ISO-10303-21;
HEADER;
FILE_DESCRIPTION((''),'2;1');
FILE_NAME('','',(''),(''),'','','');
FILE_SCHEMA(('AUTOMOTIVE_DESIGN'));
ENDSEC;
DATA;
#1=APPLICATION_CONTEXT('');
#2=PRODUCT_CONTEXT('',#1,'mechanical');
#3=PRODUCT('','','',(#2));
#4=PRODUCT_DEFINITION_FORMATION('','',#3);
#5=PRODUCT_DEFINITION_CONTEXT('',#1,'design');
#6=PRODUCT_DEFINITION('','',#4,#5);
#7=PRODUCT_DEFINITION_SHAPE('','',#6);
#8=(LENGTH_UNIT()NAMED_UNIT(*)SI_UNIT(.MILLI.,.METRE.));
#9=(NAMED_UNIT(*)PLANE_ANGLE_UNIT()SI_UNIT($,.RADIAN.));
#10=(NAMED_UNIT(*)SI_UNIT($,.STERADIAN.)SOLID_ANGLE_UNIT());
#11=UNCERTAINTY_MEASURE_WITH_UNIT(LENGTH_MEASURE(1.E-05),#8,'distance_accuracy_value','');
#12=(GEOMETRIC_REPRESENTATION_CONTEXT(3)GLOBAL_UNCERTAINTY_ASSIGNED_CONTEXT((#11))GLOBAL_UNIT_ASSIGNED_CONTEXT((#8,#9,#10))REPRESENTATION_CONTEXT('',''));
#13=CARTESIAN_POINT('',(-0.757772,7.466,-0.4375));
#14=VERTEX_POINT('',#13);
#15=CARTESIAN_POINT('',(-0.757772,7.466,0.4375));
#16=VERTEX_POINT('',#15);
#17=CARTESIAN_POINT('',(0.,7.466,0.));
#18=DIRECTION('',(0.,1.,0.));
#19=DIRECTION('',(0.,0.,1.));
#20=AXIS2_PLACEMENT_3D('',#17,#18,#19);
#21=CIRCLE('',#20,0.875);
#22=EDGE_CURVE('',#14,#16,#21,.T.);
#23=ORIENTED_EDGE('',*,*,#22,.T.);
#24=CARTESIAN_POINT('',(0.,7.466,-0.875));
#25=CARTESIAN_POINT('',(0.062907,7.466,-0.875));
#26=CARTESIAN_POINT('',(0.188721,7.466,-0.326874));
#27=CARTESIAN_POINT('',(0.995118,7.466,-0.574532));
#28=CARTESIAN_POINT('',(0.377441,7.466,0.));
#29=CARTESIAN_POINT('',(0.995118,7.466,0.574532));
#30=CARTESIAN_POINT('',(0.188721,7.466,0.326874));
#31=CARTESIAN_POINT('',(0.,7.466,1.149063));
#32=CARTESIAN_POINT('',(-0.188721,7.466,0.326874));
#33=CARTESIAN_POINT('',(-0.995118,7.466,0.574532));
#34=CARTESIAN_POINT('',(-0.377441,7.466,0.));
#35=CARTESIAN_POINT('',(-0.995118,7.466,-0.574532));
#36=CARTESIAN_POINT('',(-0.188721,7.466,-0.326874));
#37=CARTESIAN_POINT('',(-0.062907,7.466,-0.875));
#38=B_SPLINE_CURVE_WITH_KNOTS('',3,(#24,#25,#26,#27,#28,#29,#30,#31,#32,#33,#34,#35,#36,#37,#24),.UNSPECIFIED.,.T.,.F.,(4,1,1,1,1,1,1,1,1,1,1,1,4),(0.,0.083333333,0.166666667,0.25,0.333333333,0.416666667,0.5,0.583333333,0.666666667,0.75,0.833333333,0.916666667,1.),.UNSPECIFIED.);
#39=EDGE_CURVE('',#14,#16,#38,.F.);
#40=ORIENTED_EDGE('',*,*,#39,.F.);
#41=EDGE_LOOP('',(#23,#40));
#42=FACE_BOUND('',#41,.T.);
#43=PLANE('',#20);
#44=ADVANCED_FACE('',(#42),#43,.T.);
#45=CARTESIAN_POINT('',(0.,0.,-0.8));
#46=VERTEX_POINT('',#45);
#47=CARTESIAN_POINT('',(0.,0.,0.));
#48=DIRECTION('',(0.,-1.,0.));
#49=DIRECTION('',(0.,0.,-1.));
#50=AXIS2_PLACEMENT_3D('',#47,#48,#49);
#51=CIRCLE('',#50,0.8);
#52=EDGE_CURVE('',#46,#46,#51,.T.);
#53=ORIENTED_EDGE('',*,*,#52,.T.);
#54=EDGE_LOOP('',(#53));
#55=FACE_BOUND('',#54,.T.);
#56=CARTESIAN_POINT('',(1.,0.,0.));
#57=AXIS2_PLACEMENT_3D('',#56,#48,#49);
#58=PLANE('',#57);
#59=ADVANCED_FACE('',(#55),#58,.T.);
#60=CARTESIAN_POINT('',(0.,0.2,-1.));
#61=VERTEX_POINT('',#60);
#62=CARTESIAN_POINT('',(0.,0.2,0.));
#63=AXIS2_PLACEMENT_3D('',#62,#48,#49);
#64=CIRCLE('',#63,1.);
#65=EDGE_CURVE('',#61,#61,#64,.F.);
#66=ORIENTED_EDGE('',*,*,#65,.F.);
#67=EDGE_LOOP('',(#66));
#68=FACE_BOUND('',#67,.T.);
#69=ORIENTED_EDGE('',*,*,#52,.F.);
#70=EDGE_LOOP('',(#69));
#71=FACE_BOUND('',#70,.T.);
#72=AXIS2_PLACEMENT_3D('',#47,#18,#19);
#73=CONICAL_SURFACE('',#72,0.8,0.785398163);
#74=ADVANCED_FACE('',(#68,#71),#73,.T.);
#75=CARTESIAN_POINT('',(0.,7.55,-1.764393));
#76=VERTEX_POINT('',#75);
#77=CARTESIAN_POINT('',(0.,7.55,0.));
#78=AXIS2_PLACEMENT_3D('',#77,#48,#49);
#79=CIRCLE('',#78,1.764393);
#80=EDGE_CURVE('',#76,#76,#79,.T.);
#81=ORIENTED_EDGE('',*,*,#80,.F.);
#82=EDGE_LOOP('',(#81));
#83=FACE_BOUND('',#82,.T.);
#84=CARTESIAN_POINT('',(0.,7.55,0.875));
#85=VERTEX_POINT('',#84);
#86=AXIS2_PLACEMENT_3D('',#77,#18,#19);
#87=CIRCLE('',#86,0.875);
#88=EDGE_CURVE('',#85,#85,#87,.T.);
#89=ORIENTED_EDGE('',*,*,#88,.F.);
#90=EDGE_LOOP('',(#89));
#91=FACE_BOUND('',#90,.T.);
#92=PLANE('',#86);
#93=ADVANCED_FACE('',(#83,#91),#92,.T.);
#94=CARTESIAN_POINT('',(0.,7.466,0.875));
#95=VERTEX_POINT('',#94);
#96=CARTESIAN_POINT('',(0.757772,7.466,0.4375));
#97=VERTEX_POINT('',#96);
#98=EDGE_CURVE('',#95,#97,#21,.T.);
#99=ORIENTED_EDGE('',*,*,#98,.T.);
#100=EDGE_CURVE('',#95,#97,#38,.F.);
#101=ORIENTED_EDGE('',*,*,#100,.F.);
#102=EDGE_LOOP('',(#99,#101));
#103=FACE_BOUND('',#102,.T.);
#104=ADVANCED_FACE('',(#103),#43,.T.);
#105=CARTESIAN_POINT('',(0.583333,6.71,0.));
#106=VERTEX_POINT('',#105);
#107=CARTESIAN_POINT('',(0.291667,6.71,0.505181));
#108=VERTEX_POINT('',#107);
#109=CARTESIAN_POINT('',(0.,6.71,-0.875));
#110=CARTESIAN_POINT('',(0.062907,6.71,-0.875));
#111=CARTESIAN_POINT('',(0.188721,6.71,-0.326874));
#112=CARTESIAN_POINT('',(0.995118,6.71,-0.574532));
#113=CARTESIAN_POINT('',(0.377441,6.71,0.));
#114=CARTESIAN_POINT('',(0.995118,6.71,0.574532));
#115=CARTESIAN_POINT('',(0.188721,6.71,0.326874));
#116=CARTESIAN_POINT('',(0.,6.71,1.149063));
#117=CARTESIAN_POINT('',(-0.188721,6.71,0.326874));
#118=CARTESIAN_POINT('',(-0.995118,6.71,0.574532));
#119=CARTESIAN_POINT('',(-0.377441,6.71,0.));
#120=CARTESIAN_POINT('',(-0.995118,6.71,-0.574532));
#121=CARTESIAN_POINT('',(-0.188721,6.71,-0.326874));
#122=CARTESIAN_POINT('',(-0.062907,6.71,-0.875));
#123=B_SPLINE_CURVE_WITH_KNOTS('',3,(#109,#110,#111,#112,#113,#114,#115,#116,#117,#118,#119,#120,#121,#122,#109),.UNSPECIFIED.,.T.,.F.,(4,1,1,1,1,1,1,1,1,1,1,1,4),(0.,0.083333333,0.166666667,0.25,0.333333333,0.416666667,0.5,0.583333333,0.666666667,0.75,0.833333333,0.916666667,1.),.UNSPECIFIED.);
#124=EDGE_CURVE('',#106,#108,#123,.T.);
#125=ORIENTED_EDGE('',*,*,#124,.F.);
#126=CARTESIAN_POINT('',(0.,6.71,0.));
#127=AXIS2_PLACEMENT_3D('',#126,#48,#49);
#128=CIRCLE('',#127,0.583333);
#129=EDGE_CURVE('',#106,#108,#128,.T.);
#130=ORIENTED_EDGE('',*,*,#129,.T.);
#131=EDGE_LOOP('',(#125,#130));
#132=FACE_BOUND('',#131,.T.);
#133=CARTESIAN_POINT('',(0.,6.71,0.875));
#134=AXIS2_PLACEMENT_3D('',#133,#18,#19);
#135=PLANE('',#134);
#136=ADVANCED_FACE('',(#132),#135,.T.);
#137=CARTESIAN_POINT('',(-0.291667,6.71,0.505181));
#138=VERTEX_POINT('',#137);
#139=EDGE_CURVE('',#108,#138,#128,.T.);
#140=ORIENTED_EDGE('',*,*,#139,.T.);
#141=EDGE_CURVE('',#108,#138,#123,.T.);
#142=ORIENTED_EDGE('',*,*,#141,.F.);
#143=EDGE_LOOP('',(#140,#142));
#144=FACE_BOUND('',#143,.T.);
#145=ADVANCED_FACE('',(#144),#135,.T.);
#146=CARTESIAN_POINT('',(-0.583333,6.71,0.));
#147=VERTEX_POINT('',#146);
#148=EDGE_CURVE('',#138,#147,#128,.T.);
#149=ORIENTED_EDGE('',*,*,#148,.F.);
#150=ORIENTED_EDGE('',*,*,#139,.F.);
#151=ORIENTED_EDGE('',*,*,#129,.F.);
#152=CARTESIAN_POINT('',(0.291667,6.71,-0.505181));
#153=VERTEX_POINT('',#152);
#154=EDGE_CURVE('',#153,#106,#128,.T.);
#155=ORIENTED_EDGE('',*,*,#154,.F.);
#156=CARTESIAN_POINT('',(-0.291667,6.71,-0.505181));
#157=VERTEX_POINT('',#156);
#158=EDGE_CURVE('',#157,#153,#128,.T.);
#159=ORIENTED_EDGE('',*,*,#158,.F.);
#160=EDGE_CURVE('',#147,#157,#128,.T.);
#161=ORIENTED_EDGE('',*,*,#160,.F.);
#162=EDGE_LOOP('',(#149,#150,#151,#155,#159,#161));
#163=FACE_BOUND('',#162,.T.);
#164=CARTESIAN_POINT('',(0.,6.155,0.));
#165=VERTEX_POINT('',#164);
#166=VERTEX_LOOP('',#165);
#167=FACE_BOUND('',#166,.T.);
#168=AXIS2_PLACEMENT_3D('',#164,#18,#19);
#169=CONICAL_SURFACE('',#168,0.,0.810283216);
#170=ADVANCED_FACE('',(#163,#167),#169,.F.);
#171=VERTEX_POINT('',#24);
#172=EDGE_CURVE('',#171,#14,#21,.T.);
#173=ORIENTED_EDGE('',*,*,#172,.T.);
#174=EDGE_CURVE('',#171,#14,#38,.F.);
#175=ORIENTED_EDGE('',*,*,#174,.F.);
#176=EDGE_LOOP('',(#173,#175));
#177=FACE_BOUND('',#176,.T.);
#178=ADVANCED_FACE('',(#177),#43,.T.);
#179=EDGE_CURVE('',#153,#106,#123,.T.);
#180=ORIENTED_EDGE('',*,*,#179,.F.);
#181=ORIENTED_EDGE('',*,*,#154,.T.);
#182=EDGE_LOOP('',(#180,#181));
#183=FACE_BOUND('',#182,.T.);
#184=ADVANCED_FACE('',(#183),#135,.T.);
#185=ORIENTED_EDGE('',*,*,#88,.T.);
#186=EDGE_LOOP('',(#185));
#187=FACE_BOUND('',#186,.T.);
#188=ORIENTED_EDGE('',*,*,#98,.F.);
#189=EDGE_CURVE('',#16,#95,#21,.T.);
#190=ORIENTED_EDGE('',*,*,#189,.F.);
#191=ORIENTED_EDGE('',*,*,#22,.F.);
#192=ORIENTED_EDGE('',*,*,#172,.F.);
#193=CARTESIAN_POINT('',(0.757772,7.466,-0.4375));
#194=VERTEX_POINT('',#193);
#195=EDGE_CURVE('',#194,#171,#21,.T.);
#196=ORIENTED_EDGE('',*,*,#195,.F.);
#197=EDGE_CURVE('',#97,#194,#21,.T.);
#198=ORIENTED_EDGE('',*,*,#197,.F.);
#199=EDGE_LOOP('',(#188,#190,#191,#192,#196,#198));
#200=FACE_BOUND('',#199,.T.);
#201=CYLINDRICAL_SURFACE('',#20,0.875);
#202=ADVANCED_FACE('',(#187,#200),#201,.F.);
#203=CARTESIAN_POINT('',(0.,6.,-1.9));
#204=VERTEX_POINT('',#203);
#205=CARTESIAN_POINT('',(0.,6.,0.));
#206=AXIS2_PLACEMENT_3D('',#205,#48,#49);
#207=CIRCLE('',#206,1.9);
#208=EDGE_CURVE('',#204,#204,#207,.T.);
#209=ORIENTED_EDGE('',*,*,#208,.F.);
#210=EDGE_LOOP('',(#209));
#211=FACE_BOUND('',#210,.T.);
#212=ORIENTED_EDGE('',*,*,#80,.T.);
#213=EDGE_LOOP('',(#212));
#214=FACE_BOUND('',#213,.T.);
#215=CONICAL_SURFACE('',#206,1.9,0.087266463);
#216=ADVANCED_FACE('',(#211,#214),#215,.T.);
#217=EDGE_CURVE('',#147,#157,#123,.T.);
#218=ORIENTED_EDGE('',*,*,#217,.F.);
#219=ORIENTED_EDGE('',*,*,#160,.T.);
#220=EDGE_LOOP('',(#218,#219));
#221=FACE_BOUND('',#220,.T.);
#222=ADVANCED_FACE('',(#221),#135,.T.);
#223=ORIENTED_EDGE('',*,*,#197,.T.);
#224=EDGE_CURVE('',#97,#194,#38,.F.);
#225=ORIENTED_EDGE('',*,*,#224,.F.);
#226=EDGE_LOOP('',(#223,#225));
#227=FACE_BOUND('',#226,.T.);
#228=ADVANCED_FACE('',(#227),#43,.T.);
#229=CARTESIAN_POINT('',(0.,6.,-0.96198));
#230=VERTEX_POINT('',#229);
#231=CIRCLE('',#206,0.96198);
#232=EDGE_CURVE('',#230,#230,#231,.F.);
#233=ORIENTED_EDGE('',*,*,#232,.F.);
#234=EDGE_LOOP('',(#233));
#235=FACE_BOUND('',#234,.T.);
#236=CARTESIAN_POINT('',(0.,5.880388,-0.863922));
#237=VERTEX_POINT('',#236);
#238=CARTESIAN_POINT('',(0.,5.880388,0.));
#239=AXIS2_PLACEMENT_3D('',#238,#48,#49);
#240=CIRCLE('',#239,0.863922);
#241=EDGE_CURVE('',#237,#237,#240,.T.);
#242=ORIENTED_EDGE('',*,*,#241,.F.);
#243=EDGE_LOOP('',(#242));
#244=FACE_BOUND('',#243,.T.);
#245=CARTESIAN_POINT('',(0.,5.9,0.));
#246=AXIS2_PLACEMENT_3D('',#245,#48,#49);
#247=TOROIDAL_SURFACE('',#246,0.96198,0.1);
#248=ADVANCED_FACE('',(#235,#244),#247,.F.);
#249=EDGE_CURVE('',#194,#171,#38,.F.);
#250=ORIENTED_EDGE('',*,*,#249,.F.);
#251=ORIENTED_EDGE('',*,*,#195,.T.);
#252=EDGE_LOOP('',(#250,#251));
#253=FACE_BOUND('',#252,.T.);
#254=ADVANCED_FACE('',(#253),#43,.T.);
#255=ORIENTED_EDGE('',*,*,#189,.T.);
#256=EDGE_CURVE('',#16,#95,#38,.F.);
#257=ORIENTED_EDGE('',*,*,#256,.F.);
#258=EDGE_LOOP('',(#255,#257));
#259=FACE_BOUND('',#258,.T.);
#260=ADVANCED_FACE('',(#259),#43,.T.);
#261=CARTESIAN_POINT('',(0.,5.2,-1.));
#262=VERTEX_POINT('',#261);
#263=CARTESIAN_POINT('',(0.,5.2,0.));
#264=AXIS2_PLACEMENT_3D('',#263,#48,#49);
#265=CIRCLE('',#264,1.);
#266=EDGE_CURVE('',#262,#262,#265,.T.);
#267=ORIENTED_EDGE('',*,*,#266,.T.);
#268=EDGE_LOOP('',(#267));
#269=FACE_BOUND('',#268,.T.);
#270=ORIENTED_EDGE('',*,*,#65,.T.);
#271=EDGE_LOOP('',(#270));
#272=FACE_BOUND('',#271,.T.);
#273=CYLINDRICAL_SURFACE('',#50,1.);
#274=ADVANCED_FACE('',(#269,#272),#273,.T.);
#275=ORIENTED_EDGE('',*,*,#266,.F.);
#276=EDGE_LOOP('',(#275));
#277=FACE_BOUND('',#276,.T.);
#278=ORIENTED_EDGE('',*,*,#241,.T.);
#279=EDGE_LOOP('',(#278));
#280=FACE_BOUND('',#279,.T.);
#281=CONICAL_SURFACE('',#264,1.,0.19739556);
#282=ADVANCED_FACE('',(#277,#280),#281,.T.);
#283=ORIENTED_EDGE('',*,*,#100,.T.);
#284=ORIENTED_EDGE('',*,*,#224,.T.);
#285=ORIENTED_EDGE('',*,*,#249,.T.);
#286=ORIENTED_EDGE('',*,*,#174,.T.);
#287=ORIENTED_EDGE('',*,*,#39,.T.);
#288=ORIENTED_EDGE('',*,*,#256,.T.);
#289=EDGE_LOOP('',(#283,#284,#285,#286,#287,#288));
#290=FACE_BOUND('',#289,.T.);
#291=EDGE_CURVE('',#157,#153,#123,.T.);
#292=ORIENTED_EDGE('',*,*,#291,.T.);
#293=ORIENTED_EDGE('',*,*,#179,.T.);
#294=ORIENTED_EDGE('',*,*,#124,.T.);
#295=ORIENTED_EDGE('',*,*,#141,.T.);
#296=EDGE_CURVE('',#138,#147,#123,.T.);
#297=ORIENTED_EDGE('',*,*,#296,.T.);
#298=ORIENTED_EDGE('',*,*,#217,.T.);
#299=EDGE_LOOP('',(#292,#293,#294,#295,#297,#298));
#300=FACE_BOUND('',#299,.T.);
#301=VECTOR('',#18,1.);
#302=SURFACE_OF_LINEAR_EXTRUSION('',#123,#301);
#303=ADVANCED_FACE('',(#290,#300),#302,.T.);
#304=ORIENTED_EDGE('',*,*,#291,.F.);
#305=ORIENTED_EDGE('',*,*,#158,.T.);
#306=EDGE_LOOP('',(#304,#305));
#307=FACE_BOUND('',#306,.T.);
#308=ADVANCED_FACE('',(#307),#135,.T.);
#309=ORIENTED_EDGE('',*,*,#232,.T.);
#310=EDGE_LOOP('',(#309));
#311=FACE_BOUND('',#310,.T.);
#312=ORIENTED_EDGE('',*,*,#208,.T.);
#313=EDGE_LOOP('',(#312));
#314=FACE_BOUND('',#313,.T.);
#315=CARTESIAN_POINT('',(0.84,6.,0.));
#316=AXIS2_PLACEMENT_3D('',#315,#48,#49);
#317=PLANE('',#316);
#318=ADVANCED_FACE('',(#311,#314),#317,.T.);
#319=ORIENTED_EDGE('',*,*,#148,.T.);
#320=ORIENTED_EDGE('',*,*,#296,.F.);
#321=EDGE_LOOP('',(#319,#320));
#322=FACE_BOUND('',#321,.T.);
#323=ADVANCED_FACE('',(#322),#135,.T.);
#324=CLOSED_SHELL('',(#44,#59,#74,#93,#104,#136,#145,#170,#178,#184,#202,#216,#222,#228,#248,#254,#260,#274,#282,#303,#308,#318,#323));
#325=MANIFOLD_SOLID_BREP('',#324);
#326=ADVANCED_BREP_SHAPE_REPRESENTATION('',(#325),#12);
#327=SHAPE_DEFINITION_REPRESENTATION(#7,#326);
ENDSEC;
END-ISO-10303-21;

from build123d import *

# Parameters (mm, degrees)
FILLET1_R                 = 0.1
SOCKET_CUT_EXTRUDE1_DEPTH = 0.84
SKETCH3_R                 = 0.875
SOCKET_CUT_EXTRUDE2_DEPTH = 0.084
CHAFL_N1_SIZE             = 0.2


with BuildPart() as part:
    # Sketch1 → Body-Revolve (revolve)
    with BuildSketch(Plane.XY, mode=Mode.PRIVATE) as body_revolve_sk:
        Polygon((0, 7.55), (1.764392572, 7.55), (1.9, 6), (1, 6), (0.84, 6), (1, 5.2), (1, 0), (0, 0), align=None)
    revolve(body_revolve_sk.sketch.rotate(Axis((0, 0, 0), (0, 1, 0)), 90), axis=Axis((0, 0, 0), (0, 1, 0)))

    # Fillet1
    fillet1_edges = [part.edges().sort_by_distance(p)[0] for p in [
        (0, 6, 0.84),
    ]]
    fillet(fillet1_edges, radius=FILLET1_R)

    # Sketch2 → Socket-Cut-Extrude1 (cut)
    with BuildSketch(Plane(origin=(0, 7.55, 0), x_dir=(-1, 0, 0), z_dir=(0, 1, 0))):
        with BuildLine():
            add(Edge.make_bspline(
                [(0, -0.875), (-0.062906837, -0.875), (-0.18872051, -0.326873512), (-0.99511796, -0.574531622), (-0.37744102, 0), (-0.99511796, 0.574531622), (-0.18872051, 0.326873512), (0, 1.149063244), (0.18872051, 0.326873512), (0.99511796, 0.574531622), (0.37744102, 0), (0.99511796, -0.574531622), (0.18872051, -0.326873512), (0.062906837, -0.875), (0, -0.875)],
                knots=[0, 0, 0, 0, 0.083333333, 0.166666667, 0.25, 0.333333333, 0.416666667, 0.5, 0.583333333, 0.666666667, 0.75, 0.833333333, 0.916666667, 1, 1, 1, 1], degree=3))
        make_face()
    extrude(amount=-SOCKET_CUT_EXTRUDE1_DEPTH, mode=Mode.SUBTRACT)

    # Sketch3 → Socket-Cut-Extrude2 (cut)
    with BuildSketch(Plane(origin=(0, 7.55, 0), x_dir=(-1, 0, 0), z_dir=(0, 1, 0))):
        with Locations(Location((0, 0, 0), (0, 0, 90))):
            Circle(SKETCH3_R)
    extrude(amount=-SOCKET_CUT_EXTRUDE2_DEPTH, mode=Mode.SUBTRACT)

    # Sketch4 → Drill-Cut-Revolve (revolve, cut)
    with BuildSketch(Plane.XY, mode=Mode.PRIVATE) as drill_cut_revolve_sk:
        Polygon((0, 6.71), (0.583333333, 6.71), (0, 6.155), align=None)
    revolve(drill_cut_revolve_sk.sketch.rotate(Axis((0, 0, 0), (0, 1, 0)), 270), axis=Axis((0, 0, 0), (0, 1, 0)), mode=Mode.SUBTRACT)

    # Chaflán1
    chafl_n1_edges = [part.edges().sort_by_distance(p)[0] for p in [
        (0, 0, 1),
    ]]
    chamfer(chafl_n1_edges, length=CHAFL_N1_SIZE)


solid = part.part
